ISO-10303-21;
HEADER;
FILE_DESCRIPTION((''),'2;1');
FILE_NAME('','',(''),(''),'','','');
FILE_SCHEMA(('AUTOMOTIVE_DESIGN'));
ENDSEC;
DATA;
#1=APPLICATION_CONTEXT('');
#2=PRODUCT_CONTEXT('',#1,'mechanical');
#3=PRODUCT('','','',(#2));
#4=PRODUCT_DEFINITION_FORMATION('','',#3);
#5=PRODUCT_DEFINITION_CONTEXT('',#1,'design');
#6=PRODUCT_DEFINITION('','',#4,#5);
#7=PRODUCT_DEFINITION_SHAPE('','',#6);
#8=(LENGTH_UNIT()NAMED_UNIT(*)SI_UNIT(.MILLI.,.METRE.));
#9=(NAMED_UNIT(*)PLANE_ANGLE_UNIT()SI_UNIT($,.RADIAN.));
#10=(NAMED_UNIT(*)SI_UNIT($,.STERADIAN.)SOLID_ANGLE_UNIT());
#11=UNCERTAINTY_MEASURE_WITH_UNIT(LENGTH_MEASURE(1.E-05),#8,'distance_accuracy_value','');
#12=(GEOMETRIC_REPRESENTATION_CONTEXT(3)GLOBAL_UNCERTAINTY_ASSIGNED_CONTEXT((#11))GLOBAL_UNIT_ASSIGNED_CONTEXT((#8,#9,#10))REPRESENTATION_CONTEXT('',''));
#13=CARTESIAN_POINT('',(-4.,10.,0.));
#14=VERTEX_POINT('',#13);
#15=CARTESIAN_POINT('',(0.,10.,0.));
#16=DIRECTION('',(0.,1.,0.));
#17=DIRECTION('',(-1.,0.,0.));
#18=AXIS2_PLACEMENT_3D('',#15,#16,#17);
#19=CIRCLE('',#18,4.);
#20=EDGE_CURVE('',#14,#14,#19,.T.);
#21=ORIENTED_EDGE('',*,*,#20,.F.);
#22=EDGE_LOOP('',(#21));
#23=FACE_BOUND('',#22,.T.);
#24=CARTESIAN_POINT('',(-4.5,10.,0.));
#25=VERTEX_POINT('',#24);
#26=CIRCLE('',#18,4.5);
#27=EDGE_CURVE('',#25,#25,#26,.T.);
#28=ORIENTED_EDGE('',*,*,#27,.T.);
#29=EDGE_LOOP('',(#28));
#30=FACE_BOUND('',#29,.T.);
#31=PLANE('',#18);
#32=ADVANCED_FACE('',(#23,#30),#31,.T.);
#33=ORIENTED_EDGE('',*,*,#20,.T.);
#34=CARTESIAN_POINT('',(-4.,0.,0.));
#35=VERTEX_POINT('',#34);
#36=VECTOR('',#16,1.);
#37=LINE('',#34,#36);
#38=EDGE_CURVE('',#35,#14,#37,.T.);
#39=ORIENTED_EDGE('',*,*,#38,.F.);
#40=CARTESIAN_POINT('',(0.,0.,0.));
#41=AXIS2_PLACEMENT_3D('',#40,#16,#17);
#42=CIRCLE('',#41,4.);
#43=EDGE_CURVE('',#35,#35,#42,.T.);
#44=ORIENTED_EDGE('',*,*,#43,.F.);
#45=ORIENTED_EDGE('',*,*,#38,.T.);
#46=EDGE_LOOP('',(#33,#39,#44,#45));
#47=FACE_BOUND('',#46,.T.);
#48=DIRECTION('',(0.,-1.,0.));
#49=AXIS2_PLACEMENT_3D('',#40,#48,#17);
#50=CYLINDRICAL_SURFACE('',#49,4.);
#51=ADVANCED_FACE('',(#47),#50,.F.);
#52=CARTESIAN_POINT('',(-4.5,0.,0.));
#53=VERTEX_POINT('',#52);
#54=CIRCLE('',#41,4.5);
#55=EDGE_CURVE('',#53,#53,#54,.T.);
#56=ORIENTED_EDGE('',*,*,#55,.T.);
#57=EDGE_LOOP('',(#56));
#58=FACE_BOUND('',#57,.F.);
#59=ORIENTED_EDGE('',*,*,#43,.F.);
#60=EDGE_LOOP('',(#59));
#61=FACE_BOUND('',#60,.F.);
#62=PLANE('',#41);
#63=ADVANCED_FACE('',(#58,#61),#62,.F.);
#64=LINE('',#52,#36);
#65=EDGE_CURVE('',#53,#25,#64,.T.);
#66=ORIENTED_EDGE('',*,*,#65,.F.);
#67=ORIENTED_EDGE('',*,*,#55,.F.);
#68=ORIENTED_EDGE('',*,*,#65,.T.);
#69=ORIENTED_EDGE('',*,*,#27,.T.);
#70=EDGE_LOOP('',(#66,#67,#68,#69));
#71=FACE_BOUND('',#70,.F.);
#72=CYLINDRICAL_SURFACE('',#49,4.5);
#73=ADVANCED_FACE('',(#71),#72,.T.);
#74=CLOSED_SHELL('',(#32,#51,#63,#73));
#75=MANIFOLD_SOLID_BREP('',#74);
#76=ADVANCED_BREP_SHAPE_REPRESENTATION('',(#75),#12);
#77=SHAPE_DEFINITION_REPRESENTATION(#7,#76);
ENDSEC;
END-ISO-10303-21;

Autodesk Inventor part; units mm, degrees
ref_plane "YZ Plane" through (0, 0, 0) normal (1, 0, 0) x (0, 1, 0)
ref_plane "XZ Plane" through (0, 0, 0) normal (0, 1, 0) x (-1, 0, 0)
ref_plane "XY Plane" through (0, 0, 0) normal (0, 0, 1) x (1, 0, 0)
sketch "Sketch1" plane through (0, 0, 0) normal (0, 1, 0) x (-1, 0, 0)
  circle A0 centre (0, 0) radius 4
  circle A1 centre (0, 0) radius 4.5
  dimension "d0" = 8
  dimension "d1" = 9
extrude "Extrusion1" add sketch "Sketch1" along normal blind 10
properties part number "_3DPrint"
